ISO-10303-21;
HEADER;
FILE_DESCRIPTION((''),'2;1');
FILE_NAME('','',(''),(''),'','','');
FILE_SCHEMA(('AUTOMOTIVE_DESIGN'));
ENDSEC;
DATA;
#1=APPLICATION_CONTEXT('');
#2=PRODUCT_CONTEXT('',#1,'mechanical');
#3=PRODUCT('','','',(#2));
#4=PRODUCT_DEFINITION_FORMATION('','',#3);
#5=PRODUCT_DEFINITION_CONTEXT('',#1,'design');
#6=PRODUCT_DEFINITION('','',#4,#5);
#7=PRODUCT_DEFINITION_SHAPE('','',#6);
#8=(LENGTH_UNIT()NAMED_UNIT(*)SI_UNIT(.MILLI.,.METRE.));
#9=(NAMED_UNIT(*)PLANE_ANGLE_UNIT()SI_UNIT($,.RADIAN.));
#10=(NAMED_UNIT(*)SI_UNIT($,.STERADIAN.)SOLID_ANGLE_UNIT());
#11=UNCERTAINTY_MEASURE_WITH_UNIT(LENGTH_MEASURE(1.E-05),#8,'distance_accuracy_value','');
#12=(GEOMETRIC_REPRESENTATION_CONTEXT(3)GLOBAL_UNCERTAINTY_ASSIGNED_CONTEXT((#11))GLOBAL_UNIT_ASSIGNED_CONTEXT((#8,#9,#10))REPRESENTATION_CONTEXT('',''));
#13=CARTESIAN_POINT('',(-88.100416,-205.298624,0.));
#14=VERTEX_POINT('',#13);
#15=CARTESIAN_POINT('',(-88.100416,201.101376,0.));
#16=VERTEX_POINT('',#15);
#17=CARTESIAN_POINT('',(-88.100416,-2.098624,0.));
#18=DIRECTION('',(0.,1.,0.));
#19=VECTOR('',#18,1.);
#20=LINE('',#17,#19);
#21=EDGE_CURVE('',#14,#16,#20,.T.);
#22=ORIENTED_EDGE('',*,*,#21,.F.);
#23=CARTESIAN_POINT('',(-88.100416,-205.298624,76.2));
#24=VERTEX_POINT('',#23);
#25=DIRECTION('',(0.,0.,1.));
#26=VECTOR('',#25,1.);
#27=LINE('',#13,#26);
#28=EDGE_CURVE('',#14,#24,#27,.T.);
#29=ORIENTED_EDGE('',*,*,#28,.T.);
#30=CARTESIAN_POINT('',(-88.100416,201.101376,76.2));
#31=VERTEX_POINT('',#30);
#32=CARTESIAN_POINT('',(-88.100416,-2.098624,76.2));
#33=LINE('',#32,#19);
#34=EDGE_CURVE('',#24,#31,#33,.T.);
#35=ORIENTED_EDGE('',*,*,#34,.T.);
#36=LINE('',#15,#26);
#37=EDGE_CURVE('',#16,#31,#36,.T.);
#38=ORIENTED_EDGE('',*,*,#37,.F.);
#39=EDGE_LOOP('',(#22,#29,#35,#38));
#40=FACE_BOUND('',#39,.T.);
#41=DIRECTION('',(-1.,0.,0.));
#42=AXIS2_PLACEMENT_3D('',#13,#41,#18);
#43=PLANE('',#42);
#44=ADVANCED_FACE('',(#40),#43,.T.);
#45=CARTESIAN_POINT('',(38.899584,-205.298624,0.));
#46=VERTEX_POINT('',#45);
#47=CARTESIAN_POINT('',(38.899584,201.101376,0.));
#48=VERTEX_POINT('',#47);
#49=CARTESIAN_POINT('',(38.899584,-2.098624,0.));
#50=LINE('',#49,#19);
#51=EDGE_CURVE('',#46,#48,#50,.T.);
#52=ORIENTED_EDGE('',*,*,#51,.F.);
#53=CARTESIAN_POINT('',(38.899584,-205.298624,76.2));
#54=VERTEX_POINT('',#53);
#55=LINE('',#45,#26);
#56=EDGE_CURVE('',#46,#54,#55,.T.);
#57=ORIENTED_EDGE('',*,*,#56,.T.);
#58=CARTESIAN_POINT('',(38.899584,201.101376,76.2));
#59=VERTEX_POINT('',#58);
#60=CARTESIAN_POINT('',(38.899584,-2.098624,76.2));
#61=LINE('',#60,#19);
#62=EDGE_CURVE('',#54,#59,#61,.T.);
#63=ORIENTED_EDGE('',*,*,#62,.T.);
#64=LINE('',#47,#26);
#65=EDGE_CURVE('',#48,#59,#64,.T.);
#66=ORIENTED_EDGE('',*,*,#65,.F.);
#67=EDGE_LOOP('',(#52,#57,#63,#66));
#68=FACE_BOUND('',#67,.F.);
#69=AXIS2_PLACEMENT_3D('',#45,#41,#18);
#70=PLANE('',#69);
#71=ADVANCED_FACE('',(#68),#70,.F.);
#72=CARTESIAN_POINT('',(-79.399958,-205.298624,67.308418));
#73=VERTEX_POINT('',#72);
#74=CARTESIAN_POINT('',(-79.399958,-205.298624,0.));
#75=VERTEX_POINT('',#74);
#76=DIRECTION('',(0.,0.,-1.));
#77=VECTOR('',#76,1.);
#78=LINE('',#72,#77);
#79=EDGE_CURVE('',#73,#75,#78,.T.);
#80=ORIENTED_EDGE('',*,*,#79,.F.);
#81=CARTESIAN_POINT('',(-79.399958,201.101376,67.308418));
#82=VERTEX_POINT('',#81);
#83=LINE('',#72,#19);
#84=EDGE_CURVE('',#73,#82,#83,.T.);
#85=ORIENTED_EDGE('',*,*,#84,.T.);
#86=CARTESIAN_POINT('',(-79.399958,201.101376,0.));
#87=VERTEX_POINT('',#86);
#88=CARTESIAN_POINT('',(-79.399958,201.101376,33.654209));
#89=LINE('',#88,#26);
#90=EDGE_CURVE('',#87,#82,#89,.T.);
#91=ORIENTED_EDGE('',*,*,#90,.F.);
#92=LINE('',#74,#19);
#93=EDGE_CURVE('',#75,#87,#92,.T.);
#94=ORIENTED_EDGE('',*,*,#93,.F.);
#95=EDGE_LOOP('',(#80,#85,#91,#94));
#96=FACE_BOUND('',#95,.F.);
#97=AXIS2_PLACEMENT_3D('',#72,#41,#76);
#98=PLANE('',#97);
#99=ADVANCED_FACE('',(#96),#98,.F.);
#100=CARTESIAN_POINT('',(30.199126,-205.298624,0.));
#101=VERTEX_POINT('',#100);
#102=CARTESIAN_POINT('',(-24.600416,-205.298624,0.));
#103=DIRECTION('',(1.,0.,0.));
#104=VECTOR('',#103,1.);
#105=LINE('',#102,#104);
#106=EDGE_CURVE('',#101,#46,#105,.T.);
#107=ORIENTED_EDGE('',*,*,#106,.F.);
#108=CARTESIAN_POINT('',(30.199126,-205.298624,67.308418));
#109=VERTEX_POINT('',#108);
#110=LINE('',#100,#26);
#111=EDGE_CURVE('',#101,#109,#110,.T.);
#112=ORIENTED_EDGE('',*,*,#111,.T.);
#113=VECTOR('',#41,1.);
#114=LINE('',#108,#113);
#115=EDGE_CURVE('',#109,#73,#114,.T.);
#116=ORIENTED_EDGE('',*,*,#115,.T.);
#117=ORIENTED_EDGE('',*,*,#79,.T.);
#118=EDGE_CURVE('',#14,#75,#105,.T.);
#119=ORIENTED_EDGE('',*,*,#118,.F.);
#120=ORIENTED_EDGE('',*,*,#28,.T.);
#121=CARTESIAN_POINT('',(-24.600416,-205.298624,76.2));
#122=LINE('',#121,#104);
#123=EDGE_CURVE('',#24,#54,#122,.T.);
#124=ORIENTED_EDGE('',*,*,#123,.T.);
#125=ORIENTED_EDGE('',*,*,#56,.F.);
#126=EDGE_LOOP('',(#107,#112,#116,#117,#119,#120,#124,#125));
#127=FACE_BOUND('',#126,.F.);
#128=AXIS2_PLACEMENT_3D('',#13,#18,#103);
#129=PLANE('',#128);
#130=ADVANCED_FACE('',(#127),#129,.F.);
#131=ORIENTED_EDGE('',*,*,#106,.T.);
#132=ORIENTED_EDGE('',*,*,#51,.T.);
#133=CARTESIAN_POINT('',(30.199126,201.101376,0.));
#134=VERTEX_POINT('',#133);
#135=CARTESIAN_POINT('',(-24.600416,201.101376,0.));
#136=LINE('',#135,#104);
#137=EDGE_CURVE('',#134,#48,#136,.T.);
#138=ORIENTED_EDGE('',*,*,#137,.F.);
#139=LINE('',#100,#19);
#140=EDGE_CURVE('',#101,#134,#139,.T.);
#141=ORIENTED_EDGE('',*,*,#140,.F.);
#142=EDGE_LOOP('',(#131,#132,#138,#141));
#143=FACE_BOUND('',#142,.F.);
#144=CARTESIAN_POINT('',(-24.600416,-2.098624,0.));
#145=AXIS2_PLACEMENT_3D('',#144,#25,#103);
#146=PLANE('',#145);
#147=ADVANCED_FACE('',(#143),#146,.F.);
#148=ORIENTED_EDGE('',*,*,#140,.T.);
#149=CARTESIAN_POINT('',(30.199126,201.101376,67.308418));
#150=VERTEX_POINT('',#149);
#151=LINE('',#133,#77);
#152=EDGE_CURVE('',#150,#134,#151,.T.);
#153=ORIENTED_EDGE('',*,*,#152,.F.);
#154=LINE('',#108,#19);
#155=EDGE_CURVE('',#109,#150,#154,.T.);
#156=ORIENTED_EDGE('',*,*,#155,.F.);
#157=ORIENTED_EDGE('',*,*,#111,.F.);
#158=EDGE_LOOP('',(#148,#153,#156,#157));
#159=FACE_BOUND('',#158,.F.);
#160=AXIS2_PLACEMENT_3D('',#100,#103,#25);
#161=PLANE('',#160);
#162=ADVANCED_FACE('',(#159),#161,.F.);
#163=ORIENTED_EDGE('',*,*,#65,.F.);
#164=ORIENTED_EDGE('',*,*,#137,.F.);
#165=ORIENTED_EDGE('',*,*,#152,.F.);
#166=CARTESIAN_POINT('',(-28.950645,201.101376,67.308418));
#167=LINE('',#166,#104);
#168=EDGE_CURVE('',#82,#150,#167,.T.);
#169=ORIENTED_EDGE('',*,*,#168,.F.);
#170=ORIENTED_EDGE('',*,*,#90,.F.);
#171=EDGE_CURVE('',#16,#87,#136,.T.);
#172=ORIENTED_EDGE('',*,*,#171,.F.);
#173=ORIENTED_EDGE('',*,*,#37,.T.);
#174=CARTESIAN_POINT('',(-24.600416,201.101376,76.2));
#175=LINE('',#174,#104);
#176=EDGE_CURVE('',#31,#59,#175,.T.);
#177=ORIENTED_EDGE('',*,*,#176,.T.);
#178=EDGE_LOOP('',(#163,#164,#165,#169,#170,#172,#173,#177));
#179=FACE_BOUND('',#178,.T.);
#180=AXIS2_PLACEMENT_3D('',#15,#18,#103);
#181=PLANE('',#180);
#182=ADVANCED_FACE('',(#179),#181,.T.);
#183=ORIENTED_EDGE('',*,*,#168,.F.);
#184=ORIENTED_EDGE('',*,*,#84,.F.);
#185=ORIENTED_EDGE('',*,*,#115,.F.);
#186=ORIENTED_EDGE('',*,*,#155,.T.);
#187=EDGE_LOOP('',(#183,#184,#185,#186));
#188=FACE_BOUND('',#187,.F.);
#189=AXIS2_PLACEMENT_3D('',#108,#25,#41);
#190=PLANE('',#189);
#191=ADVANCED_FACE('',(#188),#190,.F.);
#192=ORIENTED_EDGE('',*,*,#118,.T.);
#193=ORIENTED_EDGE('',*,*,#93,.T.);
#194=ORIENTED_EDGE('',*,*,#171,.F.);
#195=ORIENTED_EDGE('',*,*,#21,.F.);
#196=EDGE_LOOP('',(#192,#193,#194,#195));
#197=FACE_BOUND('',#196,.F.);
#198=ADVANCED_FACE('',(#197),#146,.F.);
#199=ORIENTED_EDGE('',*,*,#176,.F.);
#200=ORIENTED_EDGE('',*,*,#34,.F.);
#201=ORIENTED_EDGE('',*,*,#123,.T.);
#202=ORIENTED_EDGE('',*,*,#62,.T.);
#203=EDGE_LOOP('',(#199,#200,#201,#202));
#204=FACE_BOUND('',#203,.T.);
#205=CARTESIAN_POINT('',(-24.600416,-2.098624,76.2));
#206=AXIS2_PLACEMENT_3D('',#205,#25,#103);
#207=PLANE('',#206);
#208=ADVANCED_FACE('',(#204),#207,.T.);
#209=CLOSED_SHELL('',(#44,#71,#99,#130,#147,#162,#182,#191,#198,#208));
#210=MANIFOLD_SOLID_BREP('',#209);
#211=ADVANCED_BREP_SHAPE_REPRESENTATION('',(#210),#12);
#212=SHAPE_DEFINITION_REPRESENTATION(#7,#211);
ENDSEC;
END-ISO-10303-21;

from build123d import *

# Parameters (mm, degrees)
F0_W     = 127
F0_H     = 406.4
F1_DEPTH = 76.2
F3_DEPTH = 471.424


with BuildPart() as f1:
    # F0 (on Top) → F1 (new body)
    with BuildSketch(Plane.XY):
        with Locations((-24.600416, -2.098624)):
            Rectangle(F0_W, F0_H)
    extrude(amount=F1_DEPTH)

    # F2 (on face) → F3 (cut)
    with BuildSketch(Plane.XZ.offset(205.298624)):
        Polygon((-79.399958, 67.308418), (-79.399958, 0), (-24.600416, 0), (30.199126, 0), (30.199126, 67.308418), (-24.600416, 67.308418), align=None)
    extrude(amount=-F3_DEPTH, mode=Mode.SUBTRACT)


solid = f1.part
